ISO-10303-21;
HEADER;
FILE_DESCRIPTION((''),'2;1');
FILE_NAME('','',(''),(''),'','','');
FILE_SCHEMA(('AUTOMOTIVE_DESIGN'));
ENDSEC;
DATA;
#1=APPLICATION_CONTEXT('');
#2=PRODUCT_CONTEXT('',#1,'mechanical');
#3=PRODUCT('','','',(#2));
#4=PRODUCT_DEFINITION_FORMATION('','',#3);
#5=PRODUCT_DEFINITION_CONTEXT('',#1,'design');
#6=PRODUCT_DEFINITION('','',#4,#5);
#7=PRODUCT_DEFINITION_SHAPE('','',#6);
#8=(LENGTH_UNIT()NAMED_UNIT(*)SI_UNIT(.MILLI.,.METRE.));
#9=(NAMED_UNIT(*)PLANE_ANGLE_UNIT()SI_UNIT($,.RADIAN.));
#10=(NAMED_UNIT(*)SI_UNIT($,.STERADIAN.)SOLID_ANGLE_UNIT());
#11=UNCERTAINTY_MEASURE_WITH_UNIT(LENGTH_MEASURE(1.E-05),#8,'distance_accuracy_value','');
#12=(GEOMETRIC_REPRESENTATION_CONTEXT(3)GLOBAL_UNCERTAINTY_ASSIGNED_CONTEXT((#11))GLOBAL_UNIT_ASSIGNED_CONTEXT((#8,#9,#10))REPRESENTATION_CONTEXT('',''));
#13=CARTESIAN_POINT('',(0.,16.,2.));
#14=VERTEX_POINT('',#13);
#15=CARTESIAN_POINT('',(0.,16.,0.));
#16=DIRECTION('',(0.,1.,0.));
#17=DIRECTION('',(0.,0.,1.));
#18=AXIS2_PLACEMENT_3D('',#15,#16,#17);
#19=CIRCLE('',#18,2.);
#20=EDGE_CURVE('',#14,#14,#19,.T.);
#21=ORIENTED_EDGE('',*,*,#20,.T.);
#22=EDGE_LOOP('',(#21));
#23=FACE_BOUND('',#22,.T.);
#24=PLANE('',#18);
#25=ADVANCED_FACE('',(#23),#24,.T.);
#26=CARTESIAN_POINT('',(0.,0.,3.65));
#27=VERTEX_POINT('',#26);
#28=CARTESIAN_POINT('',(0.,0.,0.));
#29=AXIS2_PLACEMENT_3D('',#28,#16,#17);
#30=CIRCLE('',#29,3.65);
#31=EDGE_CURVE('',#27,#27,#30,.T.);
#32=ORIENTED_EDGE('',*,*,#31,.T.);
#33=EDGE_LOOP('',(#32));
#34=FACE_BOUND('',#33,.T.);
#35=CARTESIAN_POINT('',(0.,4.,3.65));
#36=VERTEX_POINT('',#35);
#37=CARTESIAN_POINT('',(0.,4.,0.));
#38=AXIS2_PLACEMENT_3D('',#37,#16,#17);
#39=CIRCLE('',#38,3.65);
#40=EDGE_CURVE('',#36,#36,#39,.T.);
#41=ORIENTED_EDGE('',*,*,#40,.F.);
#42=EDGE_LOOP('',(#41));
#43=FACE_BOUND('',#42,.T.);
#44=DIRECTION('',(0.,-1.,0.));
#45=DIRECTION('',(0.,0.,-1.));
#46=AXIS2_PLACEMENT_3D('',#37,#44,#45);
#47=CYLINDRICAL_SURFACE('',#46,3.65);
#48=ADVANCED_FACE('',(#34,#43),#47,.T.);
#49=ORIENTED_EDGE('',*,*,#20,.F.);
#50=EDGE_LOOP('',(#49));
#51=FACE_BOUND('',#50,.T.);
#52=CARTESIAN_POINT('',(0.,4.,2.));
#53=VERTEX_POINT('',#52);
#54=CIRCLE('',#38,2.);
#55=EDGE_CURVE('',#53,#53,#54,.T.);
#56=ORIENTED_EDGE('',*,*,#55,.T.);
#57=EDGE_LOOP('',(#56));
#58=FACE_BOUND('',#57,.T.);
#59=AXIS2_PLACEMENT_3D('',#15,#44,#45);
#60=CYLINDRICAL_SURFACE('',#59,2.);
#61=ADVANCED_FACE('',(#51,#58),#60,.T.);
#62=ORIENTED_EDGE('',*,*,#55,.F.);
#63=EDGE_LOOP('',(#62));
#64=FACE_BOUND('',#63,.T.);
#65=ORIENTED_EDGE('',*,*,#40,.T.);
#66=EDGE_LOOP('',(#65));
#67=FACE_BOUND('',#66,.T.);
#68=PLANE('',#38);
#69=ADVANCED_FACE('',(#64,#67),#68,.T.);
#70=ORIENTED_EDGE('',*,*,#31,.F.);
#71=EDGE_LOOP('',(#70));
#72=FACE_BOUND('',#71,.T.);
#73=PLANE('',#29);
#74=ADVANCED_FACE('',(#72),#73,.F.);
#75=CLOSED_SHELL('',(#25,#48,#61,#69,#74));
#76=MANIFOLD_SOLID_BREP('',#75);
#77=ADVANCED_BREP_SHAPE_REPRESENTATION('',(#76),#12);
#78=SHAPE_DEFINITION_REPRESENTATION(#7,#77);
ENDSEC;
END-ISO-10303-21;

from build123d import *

# Parameters (mm, degrees)
SKETCH_1_R        = 3.65
EXTRUDE_226_DEPTH = 4
SKETCH_2_R        = 2
EXTRUDE_318_DEPTH = 12


with BuildPart() as part:
    # 草图1 → Extrude 226 (new body)
    with BuildSketch(Plane(origin=(0, 0, 0), x_dir=(1, 0, 0), z_dir=(0, 1, 0))):
        with Locations(Location((0, 0, 0), (0, 0, 270))):
            Circle(SKETCH_1_R)
    extrude(amount=EXTRUDE_226_DEPTH)

    # 草图2 → Extrude 318 (add)
    with BuildSketch(Plane(origin=(0, 4, 0), x_dir=(1, 0, 0), z_dir=(0, 1, 0))):
        with Locations(Location((0, 0, 0), (0, 0, 270))):
            Circle(SKETCH_2_R)
    extrude(amount=EXTRUDE_318_DEPTH)


solid = part.part
